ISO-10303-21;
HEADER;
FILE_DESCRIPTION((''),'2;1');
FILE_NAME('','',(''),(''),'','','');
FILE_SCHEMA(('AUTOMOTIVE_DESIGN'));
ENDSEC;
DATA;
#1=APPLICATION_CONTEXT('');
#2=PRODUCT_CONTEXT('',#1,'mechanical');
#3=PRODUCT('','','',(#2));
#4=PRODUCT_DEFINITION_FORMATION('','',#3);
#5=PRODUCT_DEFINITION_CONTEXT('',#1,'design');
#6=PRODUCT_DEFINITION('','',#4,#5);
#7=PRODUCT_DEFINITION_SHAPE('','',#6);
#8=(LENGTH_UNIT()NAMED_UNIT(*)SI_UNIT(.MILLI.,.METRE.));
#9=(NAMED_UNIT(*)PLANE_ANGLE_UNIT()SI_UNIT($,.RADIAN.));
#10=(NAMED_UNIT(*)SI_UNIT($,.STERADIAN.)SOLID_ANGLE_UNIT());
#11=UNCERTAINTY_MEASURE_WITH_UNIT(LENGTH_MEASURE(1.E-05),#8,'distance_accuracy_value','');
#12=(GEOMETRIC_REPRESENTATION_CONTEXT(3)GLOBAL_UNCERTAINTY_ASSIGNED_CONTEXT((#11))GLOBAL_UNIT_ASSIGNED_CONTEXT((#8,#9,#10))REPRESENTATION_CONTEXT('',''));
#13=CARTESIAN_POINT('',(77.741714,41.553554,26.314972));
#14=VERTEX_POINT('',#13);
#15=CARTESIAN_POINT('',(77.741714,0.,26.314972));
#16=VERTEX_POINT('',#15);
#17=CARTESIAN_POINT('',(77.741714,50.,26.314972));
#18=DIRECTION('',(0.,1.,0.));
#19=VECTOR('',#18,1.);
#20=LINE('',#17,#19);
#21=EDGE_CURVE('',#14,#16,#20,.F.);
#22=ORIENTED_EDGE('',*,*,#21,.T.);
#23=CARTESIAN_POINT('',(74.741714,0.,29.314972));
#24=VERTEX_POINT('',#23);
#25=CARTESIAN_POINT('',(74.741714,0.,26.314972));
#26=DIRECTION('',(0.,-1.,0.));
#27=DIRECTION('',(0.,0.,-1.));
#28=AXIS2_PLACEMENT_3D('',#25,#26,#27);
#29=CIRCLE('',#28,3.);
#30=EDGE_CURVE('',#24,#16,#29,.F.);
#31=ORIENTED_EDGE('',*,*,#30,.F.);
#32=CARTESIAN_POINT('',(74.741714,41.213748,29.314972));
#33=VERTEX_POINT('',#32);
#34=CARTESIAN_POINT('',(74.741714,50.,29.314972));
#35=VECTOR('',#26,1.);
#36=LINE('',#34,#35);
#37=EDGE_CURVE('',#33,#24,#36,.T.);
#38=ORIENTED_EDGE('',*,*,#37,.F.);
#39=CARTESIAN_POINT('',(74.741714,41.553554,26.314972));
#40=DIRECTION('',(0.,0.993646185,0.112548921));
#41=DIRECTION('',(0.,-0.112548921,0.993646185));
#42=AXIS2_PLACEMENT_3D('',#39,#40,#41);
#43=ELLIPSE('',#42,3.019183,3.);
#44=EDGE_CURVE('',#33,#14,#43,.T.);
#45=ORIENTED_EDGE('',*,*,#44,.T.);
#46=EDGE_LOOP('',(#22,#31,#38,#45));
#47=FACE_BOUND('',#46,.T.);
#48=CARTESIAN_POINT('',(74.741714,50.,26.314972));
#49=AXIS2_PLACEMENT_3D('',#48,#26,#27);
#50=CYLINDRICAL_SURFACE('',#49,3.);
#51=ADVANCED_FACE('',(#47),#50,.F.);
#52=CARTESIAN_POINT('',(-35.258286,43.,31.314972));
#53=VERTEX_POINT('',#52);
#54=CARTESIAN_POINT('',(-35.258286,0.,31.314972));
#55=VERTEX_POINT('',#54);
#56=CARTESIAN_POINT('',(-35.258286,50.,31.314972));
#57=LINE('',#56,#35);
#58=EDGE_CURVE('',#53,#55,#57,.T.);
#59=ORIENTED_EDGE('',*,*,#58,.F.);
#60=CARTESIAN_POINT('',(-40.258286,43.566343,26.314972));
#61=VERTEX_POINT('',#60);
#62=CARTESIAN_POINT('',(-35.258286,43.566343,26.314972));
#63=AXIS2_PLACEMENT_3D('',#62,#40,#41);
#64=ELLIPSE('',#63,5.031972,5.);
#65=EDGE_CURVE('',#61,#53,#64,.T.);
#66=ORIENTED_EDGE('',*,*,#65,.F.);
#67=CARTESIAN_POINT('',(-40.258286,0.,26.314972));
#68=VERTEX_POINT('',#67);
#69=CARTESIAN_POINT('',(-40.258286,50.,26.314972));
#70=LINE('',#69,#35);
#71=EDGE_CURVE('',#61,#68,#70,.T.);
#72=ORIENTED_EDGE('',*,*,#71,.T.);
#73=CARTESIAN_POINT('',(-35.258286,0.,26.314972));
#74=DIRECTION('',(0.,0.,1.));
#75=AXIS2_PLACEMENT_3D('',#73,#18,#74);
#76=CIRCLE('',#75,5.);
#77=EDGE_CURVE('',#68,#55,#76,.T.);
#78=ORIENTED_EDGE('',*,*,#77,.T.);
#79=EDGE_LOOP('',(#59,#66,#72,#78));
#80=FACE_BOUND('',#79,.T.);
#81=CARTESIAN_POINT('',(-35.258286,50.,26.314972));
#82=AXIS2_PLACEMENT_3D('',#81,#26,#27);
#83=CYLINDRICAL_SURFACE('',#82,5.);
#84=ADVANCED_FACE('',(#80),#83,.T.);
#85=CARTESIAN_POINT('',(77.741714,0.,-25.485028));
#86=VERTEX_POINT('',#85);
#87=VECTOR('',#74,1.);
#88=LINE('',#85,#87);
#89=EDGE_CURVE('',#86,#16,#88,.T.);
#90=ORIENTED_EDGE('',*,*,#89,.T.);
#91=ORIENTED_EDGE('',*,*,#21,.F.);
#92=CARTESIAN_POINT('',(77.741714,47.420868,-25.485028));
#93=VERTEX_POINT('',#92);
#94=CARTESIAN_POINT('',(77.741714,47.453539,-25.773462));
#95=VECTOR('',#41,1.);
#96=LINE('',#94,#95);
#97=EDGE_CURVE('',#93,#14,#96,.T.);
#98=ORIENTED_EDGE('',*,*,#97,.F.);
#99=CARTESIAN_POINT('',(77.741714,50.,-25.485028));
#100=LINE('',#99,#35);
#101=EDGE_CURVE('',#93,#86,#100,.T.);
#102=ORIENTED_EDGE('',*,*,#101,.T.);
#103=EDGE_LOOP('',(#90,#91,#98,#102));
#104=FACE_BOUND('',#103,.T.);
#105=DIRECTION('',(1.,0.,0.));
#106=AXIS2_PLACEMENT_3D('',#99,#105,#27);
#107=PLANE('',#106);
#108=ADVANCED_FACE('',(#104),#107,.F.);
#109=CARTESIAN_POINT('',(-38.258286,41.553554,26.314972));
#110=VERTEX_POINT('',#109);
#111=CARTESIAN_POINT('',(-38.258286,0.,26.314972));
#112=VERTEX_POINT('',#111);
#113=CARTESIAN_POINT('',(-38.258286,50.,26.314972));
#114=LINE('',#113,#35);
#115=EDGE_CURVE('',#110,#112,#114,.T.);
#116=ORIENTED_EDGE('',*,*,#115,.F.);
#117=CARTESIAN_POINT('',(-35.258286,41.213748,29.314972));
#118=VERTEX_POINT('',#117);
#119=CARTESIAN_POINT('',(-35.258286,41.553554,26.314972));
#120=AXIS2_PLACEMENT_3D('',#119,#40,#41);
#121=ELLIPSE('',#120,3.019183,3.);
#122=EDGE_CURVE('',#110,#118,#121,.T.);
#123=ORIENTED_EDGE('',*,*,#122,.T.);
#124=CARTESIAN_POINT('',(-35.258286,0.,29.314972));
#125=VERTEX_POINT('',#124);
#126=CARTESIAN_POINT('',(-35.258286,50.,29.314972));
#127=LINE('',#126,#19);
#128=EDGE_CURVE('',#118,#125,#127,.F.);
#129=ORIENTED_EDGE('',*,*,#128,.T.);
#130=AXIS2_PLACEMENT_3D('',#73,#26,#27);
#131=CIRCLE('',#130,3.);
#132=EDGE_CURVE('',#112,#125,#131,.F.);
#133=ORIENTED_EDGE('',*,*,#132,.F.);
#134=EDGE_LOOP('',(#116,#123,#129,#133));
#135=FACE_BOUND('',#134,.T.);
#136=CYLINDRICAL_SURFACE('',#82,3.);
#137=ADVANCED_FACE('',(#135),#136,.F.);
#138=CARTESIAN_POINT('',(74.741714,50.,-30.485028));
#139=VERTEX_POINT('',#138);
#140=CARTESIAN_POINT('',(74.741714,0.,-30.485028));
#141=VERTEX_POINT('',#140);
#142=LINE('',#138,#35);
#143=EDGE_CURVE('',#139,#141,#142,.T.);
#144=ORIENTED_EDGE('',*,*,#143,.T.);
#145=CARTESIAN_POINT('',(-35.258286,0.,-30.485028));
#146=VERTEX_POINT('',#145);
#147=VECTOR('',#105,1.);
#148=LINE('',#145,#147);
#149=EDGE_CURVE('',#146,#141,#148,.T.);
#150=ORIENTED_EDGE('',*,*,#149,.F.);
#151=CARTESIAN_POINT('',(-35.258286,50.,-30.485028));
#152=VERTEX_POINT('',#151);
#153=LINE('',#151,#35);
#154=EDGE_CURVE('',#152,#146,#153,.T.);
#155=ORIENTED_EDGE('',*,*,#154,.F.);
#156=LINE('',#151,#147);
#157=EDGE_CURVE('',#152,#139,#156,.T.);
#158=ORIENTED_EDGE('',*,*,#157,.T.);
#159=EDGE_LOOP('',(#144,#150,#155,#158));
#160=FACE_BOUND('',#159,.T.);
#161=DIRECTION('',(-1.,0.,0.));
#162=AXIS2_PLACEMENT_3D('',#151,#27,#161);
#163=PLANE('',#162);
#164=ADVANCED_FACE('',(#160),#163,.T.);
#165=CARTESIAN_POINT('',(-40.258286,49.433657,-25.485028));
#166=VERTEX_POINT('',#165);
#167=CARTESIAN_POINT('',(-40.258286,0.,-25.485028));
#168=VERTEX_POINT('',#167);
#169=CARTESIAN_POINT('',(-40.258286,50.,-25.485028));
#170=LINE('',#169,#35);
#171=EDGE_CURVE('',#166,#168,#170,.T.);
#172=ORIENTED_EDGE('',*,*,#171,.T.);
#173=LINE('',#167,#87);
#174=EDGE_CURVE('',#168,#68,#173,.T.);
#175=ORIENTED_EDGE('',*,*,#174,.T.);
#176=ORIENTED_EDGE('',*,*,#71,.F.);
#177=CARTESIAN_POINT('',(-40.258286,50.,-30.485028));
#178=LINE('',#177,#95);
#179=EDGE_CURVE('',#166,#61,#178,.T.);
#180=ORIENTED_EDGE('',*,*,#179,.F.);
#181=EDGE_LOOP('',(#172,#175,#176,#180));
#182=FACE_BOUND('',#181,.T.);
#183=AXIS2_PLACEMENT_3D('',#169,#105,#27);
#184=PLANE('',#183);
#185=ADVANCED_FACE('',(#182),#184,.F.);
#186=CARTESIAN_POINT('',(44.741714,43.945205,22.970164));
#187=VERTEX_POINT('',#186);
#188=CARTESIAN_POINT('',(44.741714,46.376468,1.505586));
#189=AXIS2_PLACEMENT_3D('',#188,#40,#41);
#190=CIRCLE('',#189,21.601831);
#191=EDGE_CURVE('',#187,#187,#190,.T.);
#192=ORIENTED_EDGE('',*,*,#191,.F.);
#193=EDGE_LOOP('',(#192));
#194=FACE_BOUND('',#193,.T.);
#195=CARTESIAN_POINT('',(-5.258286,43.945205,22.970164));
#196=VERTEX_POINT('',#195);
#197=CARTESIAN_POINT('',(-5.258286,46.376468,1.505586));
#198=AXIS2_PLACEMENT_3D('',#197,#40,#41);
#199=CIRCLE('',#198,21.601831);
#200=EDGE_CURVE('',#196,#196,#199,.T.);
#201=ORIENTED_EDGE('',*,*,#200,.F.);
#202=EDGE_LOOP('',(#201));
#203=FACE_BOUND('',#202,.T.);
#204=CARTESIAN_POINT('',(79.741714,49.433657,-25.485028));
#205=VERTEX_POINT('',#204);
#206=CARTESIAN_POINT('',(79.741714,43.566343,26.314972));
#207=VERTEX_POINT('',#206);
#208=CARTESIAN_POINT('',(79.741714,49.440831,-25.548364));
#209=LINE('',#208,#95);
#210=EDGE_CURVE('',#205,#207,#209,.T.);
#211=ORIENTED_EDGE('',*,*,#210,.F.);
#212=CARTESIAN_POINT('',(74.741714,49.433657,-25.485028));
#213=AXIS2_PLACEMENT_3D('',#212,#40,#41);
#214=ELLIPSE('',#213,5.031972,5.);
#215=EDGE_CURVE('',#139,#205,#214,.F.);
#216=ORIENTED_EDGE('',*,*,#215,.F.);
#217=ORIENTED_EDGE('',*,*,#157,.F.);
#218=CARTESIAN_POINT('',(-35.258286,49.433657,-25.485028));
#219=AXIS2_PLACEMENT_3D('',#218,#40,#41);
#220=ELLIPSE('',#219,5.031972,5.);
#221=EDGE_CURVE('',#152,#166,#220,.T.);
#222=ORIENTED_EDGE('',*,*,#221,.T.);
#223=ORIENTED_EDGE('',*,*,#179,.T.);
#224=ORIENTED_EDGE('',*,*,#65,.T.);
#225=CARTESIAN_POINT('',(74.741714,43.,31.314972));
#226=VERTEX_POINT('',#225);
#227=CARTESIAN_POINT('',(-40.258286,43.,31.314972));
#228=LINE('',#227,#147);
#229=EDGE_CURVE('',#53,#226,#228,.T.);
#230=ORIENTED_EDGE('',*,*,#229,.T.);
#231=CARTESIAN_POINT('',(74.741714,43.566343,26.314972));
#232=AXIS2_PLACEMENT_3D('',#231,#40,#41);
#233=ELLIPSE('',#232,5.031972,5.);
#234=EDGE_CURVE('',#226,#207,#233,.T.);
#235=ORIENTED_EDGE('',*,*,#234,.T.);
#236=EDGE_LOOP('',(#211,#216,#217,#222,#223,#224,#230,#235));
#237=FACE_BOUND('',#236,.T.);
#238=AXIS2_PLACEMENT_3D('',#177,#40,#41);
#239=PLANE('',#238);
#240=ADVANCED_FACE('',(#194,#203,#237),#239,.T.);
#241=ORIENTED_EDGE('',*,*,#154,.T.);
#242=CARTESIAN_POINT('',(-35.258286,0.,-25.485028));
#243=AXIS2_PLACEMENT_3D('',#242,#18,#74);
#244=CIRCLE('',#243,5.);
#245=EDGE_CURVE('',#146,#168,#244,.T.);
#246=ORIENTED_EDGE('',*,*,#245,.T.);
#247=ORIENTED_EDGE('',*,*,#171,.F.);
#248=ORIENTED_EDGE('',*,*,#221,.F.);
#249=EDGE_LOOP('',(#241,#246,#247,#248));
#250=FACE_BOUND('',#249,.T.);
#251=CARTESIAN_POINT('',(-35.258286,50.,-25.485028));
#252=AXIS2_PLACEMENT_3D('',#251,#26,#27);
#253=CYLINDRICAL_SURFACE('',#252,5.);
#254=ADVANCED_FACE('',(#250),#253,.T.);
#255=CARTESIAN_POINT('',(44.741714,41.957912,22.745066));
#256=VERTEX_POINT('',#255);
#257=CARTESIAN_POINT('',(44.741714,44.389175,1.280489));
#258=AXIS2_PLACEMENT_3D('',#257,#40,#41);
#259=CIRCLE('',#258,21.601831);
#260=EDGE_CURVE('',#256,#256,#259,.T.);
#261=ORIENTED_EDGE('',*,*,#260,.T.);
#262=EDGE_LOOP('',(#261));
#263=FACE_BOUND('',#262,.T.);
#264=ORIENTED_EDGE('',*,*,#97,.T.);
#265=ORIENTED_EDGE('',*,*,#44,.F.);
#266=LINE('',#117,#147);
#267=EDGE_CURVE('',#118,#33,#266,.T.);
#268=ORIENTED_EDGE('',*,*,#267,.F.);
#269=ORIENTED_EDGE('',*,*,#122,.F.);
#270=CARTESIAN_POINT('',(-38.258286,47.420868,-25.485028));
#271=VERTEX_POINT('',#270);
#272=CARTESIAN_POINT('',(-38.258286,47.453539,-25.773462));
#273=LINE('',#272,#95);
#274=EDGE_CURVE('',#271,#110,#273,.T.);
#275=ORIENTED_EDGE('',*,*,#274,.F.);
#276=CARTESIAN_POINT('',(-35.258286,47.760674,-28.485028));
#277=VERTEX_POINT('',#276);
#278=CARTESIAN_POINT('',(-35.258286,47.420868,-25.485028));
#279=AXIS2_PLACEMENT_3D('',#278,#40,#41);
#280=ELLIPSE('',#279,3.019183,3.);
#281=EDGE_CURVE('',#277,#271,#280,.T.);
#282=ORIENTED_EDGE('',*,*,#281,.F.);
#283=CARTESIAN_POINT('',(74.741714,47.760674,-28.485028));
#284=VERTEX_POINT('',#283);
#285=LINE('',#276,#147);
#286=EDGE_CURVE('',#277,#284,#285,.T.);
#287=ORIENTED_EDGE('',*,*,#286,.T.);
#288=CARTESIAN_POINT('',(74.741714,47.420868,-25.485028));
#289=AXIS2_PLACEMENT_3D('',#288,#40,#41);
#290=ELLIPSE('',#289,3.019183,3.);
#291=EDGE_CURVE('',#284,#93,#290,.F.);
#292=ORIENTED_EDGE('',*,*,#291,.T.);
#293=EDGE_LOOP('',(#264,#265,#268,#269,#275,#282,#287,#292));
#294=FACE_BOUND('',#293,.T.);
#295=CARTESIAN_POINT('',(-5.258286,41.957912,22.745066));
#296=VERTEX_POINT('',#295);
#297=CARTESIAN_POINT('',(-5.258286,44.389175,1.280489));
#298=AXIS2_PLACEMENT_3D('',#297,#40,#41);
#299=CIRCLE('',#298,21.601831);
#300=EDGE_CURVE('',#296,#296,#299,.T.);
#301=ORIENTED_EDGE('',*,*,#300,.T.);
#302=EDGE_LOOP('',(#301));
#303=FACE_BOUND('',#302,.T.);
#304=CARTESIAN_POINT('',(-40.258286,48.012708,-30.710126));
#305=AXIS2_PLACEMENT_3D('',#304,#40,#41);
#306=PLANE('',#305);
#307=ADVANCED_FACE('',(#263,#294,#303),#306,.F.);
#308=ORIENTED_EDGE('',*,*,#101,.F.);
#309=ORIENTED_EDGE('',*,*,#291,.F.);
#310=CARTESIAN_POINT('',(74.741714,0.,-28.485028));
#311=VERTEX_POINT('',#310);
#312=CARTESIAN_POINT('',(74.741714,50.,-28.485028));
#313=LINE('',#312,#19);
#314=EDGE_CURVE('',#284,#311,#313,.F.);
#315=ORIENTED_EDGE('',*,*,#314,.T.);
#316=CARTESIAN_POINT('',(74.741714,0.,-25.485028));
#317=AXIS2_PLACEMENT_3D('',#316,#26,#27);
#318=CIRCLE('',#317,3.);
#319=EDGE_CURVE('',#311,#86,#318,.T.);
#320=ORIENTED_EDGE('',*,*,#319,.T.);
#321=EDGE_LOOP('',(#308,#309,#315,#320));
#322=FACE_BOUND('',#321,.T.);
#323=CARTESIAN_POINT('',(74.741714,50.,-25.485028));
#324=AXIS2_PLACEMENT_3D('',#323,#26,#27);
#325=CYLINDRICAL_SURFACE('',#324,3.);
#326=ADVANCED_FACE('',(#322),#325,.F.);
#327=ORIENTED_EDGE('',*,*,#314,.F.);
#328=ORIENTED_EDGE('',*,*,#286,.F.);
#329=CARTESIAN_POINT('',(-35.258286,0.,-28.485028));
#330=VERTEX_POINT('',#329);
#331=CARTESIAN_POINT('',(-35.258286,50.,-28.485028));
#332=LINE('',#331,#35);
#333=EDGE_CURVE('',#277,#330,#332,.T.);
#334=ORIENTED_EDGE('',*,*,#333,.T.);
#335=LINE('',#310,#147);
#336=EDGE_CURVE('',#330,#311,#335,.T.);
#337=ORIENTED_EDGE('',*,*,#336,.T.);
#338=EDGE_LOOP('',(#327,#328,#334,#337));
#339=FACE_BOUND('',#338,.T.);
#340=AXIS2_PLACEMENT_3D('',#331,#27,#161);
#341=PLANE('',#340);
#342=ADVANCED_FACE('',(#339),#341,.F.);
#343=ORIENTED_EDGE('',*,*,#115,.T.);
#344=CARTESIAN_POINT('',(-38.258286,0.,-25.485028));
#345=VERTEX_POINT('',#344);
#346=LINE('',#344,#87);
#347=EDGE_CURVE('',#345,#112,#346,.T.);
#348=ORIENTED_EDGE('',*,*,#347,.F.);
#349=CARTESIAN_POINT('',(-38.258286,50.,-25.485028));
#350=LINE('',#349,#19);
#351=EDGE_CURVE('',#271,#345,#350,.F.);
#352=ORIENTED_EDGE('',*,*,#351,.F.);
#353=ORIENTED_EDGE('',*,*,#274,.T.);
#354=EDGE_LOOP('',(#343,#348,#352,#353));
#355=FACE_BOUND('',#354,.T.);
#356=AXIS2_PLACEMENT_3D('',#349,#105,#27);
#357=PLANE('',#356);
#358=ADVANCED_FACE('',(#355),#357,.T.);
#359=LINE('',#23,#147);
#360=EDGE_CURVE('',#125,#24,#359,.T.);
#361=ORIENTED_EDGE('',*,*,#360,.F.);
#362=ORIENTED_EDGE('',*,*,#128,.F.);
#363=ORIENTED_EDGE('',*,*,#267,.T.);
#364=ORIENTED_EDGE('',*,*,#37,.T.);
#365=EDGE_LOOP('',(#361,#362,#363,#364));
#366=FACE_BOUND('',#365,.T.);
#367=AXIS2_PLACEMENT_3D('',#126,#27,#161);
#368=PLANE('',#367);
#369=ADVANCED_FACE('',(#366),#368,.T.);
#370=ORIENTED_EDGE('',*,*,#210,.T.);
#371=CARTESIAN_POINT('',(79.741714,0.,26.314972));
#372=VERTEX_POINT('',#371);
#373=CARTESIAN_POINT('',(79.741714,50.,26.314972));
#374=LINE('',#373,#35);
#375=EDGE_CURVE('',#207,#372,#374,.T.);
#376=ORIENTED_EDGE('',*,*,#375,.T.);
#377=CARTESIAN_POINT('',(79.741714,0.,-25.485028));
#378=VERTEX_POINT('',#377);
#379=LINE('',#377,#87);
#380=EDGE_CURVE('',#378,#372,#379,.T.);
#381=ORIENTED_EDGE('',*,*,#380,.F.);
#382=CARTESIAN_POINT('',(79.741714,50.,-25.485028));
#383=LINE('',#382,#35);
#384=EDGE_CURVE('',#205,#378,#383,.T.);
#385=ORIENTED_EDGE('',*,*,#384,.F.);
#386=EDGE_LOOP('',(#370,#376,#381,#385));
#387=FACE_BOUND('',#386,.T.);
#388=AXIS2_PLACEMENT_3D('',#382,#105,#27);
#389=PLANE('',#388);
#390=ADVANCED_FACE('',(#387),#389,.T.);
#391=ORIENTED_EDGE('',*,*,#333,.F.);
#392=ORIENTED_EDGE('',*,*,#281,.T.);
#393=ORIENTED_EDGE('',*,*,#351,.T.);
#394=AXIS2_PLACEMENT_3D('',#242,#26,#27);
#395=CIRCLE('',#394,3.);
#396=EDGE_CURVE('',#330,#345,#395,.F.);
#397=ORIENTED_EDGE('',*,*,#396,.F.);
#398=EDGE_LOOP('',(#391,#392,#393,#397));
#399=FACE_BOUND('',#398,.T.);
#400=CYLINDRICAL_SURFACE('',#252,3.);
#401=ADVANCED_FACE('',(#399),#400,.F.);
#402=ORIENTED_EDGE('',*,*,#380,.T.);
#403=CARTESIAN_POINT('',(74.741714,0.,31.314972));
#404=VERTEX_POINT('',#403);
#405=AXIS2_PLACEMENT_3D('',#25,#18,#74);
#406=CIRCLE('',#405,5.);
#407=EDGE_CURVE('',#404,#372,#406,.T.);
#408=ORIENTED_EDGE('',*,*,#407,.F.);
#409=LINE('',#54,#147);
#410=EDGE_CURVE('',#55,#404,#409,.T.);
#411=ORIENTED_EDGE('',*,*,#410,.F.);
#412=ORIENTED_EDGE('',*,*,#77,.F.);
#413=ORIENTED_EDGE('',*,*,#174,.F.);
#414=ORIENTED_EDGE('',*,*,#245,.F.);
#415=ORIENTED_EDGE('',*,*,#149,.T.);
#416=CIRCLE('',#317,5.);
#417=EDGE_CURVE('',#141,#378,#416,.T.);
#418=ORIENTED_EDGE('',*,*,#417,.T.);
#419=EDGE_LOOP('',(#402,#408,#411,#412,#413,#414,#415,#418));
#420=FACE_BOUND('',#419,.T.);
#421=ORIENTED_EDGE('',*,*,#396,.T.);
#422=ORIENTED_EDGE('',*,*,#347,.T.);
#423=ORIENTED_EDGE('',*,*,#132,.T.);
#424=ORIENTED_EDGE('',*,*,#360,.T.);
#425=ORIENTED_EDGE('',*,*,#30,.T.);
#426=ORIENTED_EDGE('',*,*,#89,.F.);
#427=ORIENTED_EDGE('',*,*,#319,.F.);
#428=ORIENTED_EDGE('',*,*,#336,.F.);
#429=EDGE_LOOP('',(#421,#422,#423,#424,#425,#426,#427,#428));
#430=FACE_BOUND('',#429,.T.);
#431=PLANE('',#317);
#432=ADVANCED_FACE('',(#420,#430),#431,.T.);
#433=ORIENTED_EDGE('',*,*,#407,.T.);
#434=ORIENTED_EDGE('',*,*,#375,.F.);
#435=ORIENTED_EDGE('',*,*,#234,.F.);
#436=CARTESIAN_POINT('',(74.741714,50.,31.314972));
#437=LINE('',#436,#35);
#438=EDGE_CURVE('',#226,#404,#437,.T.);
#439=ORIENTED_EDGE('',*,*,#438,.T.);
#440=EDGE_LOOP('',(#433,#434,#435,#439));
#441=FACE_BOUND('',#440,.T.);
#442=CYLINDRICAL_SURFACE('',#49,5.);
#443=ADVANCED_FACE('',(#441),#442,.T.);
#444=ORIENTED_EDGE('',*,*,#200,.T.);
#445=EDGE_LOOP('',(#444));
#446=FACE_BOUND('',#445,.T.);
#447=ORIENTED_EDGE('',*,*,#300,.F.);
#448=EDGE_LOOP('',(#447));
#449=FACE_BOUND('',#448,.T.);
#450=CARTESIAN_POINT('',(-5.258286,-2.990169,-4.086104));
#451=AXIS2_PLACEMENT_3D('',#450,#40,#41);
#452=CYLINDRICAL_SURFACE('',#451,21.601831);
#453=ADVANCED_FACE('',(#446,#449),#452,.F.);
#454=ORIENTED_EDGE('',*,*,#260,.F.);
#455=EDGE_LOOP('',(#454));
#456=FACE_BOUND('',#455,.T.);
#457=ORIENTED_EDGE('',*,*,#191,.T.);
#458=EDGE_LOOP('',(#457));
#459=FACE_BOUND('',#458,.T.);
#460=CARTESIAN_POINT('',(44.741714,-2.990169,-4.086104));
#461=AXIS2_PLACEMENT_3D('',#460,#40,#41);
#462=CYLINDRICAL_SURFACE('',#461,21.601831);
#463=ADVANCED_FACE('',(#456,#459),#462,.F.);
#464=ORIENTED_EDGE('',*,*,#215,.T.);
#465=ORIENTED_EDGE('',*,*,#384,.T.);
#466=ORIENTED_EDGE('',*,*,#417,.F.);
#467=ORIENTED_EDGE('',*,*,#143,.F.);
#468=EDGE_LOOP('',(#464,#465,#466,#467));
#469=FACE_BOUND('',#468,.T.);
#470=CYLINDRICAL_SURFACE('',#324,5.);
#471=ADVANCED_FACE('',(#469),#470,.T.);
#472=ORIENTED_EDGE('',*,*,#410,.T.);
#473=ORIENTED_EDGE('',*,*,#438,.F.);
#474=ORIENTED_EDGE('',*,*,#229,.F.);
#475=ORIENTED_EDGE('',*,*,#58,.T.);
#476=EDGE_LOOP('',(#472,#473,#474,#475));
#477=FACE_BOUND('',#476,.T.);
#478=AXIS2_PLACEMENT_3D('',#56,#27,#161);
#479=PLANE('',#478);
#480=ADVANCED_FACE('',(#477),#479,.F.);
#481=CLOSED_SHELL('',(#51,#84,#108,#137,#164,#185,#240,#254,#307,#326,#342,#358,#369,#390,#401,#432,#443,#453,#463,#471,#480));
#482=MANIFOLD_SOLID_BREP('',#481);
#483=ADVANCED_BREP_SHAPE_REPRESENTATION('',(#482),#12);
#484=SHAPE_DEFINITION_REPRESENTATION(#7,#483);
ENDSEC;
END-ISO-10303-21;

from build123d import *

# Parameters (mm, degrees)
EXTRUDE_6_DEPTH          = 50
CUT_EXTRUDE_1_DEPTH      = 134.718463472
CUT_EXTRUDE_1_DEPTH_BACK = 134.718463472
SKETCH_5_R               = 21.601831088
CUT_EXTRUDE_2_DEPTH      = 99.714931123
SHELL_3_T                = -2


with BuildPart() as part:
    # 草图3 → 凸台-拉伸6 (new body)
    with BuildSketch(Plane(origin=(0, 0, 0), x_dir=(1, 0, 0), z_dir=(0, 1, 0))):
        with BuildLine():
            Line((-35.258285714, 30.485027968), (74.741714286, 30.485027968))
            ThreePointArc((74.741714286, 30.485027968), (78.277248192, 29.020561874), (79.741714286, 25.485027968))
            Line((79.741714286, 25.485027968), (79.741714286, -26.314972032))
            ThreePointArc((79.741714286, -26.314972032), (78.277248192, -29.850505938), (74.741714286, -31.314972032))
            Line((74.741714286, -31.314972032), (-35.258285714, -31.314972032))
            ThreePointArc((-35.258285714, -31.314972032), (-38.79381962, -29.850505938), (-40.258285714, -26.314972032))
            Line((-40.258285714, -26.314972032), (-40.258285714, 25.485027968))
            ThreePointArc((-40.258285714, 25.485027968), (-38.79381962, 29.020561874), (-35.258285714, 30.485027968))
        make_face()
    extrude(amount=EXTRUDE_6_DEPTH)

    # 草图4 → 切除-拉伸1 (cut, two sides: drawn at the far end of the back side and taken through both)
    with BuildSketch(Plane(origin=(79.741714286, 0, 0), x_dir=(0, 0, -1), z_dir=(1, 0, 0)).offset(-CUT_EXTRUDE_1_DEPTH_BACK)):
        Polygon((30.485027968, 50), (-31.314972032, 43), (-31.314972032, 50), align=None)
    extrude(amount=CUT_EXTRUDE_1_DEPTH + CUT_EXTRUDE_1_DEPTH_BACK, mode=Mode.SUBTRACT)

    # 草图5 → 切除-拉伸2 (cut, through all)
    with BuildSketch(Plane(origin=(0, 45.957380333, 5.205528517), x_dir=(1, 0, 0), z_dir=(0, 0.9936461847514532, 0.11254892060291542))):
        with Locations(Location((44.741714286, 3.723601101, 0), (0, 0, 270))):
            Circle(SKETCH_5_R)
        with Locations(Location((-5.258285714, 3.723601101, 0), (0, 0, 270))):
            Circle(SKETCH_5_R)
    extrude(amount=-CUT_EXTRUDE_2_DEPTH, mode=Mode.SUBTRACT)

    # 抽壳3
    shell_3_openings = [part.faces().sort_by_distance(p)[0] for p in [
        (-5.258285714, 24.353508562, -22.728886231),
        (44.741714286, 24.353508562, -22.728886231),
        (19.741714286, 0, 3.178829845),
    ]]
    offset(amount=SHELL_3_T, openings=shell_3_openings, kind=Kind.INTERSECTION)


solid = part.part
